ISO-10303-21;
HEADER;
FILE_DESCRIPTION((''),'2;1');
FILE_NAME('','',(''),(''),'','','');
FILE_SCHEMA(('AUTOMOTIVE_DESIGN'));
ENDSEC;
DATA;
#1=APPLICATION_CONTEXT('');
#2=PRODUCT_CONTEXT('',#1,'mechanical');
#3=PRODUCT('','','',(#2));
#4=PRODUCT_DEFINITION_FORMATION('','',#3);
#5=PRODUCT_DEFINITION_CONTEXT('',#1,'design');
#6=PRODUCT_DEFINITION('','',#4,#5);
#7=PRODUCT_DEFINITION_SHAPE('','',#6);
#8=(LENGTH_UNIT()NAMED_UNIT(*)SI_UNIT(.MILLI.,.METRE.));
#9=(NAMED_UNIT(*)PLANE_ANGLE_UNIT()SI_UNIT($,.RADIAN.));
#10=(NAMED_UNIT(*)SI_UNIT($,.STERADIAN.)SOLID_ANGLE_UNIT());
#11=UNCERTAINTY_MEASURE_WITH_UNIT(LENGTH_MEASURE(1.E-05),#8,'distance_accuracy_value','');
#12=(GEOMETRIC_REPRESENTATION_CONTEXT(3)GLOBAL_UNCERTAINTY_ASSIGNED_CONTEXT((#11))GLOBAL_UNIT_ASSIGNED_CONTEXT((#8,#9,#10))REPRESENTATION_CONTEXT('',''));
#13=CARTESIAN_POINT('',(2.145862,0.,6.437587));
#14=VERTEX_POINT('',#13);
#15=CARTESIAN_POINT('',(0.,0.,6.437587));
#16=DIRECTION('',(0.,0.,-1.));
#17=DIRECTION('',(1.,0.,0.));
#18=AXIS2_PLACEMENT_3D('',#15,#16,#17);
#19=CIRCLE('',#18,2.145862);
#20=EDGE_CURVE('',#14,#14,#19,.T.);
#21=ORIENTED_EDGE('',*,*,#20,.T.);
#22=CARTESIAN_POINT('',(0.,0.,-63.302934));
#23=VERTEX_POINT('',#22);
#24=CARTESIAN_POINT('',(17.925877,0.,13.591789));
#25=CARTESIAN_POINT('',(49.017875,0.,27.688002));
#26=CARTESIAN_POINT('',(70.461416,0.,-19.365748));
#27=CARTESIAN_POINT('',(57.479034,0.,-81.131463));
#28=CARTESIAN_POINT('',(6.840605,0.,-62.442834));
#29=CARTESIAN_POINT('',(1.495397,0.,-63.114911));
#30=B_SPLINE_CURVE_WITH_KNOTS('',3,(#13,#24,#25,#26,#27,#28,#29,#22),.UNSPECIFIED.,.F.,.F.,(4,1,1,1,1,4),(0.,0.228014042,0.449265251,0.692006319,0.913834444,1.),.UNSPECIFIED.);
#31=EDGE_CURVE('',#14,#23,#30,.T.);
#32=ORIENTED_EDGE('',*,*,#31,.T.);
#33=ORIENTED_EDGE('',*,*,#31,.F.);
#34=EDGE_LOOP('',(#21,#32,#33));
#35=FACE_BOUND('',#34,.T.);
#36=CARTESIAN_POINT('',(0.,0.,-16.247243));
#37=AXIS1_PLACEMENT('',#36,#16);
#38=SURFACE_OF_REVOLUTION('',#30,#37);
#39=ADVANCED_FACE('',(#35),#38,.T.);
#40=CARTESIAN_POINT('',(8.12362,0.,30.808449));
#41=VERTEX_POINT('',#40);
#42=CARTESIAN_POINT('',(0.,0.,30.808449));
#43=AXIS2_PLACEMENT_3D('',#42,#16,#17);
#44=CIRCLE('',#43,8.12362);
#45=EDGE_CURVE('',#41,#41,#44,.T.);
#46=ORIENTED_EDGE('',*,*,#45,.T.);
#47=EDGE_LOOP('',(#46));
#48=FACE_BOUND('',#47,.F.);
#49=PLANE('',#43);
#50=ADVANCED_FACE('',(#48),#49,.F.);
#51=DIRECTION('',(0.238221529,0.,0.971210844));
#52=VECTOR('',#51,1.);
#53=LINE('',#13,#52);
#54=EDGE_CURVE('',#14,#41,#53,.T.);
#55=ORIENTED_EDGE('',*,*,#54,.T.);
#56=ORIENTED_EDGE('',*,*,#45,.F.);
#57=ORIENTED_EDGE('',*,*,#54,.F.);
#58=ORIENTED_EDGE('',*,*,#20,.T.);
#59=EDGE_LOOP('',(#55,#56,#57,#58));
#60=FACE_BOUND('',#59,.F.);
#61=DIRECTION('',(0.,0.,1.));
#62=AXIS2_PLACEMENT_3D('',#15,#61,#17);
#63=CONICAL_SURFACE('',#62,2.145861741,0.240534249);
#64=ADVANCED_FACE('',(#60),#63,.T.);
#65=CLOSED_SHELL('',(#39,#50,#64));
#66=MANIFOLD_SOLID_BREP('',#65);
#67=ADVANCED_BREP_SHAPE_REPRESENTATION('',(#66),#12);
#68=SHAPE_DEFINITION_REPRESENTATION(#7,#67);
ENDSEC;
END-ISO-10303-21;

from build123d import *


with BuildPart() as f1:
    # F0 (on Front) → F1 (revolve)
    with BuildSketch(Plane.XZ):
        with BuildLine():
            Line((8.1236204132, 30.8084487915), (0, 30.8084487915))
            Line((0, 30.8084487915), (0, -63.3029341698))
            add(Edge.make_bspline(
                [(2.1458617412, 6.4375866205), (17.9258765066, 13.5917889171), (49.0178752045, 27.6880018674), (70.4614156898, -19.3657477115), (57.4790340895, -81.1314632036), (6.8406048183, -62.4428340342), (1.4953969359, -63.1149111599), (0, -63.3029341698)],
                knots=[0, 0, 0, 0, 0.2280140419, 0.449265251, 0.6920063189, 0.9138344444, 1, 1, 1, 1], degree=3))
            Line((2.1458617412, 6.4375866205), (8.1236204132, 30.8084487915))
        make_face()
    revolve(axis=Axis((0, 0, -16.2472426891), (0, 0, -1)))


solid = f1.part
